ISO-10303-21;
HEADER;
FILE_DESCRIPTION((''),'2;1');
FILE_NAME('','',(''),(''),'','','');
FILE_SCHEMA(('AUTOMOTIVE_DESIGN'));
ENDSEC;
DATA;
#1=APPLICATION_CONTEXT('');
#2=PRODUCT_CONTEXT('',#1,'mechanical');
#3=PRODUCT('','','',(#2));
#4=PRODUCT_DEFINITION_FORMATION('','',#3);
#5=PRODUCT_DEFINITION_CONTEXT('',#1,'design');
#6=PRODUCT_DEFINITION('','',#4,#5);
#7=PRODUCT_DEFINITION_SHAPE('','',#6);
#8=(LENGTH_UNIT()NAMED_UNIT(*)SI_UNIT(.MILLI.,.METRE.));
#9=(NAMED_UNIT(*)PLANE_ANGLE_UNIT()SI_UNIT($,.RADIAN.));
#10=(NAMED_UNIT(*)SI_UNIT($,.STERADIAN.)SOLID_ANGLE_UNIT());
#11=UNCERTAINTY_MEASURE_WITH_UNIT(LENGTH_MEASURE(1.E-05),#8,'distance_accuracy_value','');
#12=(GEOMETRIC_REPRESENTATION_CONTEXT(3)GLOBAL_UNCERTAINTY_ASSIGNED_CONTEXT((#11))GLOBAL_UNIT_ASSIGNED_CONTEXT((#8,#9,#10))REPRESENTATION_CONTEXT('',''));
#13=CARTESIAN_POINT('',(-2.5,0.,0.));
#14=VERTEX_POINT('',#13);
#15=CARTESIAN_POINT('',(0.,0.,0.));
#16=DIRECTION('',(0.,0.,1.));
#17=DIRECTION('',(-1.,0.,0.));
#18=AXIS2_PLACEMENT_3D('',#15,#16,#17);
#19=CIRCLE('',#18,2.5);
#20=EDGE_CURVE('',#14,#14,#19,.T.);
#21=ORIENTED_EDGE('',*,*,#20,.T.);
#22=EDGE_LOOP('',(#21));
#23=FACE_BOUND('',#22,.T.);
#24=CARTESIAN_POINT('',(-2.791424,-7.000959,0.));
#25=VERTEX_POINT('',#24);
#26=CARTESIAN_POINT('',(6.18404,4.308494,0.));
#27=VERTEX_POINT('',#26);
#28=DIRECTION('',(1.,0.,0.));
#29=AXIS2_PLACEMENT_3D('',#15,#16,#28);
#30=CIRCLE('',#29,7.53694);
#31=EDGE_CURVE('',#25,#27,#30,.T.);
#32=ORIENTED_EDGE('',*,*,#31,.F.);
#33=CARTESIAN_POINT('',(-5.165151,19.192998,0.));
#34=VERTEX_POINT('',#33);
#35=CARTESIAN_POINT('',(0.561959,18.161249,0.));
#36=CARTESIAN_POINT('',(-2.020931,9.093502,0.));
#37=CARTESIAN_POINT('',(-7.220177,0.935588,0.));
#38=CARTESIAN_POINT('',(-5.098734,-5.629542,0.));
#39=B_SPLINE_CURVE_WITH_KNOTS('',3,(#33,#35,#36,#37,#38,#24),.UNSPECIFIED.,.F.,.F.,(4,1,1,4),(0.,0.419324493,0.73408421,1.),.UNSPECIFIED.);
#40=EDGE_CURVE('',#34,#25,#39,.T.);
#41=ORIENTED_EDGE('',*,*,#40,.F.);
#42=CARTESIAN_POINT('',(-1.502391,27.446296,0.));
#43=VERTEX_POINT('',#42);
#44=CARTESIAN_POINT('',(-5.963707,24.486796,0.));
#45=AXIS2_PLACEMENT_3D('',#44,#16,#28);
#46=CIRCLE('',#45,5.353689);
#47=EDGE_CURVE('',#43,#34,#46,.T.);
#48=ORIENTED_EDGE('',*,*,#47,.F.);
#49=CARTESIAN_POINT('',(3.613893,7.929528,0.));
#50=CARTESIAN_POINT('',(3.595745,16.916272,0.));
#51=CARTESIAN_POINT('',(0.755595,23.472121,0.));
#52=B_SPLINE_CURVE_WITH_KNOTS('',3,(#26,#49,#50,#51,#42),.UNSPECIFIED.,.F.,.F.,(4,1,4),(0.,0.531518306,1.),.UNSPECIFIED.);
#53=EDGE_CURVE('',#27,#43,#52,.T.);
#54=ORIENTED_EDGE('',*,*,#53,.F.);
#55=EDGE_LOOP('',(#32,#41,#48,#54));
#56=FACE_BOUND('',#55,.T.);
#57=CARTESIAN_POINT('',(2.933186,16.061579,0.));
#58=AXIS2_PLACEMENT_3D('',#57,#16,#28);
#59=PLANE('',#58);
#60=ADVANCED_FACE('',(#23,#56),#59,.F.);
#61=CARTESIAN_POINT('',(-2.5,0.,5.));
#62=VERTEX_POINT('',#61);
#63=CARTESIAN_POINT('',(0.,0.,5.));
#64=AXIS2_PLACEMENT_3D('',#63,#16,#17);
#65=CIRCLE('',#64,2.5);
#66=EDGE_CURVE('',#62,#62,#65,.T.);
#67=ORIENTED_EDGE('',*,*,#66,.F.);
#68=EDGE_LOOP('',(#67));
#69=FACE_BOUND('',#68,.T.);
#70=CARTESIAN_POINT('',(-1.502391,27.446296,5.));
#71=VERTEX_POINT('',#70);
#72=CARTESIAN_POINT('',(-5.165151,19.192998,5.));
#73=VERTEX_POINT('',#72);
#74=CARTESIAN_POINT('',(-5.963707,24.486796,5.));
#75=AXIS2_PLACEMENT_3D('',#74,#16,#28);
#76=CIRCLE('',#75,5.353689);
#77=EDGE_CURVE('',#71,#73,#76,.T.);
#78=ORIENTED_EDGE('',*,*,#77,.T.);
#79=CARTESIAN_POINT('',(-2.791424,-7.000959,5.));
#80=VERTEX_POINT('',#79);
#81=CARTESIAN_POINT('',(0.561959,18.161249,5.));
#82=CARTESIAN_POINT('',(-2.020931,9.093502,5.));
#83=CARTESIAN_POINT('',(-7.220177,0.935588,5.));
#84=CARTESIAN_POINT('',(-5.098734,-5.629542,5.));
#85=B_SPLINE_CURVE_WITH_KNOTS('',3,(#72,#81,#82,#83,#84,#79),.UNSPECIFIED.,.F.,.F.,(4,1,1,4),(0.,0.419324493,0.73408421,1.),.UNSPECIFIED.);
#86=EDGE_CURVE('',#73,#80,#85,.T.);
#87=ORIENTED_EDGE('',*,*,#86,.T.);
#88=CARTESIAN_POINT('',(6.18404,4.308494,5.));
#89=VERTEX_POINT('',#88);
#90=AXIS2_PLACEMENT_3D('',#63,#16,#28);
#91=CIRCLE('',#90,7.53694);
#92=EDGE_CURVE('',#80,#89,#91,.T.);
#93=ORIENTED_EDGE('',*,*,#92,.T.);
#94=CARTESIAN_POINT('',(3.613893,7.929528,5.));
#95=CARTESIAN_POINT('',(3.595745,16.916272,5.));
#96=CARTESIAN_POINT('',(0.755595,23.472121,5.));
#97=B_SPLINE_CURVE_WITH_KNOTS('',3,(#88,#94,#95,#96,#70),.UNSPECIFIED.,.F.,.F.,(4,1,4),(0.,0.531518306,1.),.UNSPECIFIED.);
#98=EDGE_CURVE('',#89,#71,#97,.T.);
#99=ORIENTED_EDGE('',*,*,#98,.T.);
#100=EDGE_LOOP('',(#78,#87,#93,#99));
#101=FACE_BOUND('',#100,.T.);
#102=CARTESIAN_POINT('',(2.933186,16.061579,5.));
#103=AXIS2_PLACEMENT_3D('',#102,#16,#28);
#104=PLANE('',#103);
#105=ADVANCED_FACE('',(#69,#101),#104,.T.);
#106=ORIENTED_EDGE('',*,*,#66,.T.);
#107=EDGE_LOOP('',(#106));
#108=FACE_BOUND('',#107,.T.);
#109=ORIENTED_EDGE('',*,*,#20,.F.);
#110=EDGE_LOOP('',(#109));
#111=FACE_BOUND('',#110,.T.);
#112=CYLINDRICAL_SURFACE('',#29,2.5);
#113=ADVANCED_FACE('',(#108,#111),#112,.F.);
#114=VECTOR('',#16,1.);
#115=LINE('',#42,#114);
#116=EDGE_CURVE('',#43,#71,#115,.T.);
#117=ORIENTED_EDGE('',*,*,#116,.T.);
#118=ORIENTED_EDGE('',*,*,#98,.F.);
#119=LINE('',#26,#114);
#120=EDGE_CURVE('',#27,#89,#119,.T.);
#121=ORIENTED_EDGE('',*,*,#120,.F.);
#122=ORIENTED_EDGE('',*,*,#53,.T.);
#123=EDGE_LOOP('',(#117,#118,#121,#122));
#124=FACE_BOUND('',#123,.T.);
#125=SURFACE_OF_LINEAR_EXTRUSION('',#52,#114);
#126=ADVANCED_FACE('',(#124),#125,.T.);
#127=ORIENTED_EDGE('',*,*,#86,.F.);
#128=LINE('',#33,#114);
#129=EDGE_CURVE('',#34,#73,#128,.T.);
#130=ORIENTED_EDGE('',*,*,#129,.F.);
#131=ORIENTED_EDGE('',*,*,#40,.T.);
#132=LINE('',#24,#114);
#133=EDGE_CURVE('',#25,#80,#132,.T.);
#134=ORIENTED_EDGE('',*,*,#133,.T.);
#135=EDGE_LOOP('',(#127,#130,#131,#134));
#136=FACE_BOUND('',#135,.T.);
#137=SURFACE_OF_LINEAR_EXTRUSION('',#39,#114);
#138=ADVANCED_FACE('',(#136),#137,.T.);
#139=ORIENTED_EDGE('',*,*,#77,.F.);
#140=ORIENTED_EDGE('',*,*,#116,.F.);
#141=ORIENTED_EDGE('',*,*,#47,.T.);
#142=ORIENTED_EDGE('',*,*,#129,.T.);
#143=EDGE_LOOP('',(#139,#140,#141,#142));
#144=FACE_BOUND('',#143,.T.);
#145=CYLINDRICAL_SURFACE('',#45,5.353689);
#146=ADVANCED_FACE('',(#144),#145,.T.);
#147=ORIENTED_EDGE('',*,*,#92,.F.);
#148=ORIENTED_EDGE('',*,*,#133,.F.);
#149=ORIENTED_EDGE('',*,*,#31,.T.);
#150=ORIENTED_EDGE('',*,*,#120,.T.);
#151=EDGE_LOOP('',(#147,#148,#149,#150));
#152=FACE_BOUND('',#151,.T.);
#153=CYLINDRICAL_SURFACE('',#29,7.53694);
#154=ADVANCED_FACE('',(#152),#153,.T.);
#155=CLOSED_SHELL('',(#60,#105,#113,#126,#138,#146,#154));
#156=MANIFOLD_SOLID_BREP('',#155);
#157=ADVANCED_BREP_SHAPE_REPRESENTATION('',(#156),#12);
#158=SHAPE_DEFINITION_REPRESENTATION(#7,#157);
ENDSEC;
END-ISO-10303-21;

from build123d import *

# Parameters (mm, degrees)
CROQUIS1_R              = 2.499999999
SALIENTE_EXTRUIR1_DEPTH = 5


with BuildPart() as part:
    # Croquis1 → Saliente-Extruir1 (new body)
    with BuildSketch(Plane.XY.offset(5)):
        with BuildLine():
            ThreePointArc((-1.502391268, 27.446296254), (-10.857150944, 26.658474231), (-5.165151301, 19.192998211))
            add(Edge.make_bspline(
                [(-5.165151301, 19.192998211), (0.561959139, 18.161248815), (-2.0209311, 9.093501776), (-7.220176541, 0.935588497), (-5.098734301, -5.629541665), (-2.791423521, -7.000958644)],
                knots=[0, 0, 0, 0, 0.419324493, 0.73408421, 1, 1, 1, 1], degree=3))
            ThreePointArc((-2.791423521, -7.000958644), (5.90367611, -4.685304218), (6.184039559, 4.308494165))
            add(Edge.make_bspline(
                [(6.184039559, 4.308494165), (3.613892894, 7.929527917), (3.595744884, 16.916271928), (0.755595428, 23.472120645), (-1.502391268, 27.446296254)],
                knots=[0, 0, 0, 0, 0.531518306, 1, 1, 1, 1], degree=3))
        make_face()
        with Locations(Location((1e-09, 1e-09, 0), (0, 0, 180))):
            Circle(CROQUIS1_R, mode=Mode.SUBTRACT)
    extrude(amount=-SALIENTE_EXTRUIR1_DEPTH)


solid = part.part
